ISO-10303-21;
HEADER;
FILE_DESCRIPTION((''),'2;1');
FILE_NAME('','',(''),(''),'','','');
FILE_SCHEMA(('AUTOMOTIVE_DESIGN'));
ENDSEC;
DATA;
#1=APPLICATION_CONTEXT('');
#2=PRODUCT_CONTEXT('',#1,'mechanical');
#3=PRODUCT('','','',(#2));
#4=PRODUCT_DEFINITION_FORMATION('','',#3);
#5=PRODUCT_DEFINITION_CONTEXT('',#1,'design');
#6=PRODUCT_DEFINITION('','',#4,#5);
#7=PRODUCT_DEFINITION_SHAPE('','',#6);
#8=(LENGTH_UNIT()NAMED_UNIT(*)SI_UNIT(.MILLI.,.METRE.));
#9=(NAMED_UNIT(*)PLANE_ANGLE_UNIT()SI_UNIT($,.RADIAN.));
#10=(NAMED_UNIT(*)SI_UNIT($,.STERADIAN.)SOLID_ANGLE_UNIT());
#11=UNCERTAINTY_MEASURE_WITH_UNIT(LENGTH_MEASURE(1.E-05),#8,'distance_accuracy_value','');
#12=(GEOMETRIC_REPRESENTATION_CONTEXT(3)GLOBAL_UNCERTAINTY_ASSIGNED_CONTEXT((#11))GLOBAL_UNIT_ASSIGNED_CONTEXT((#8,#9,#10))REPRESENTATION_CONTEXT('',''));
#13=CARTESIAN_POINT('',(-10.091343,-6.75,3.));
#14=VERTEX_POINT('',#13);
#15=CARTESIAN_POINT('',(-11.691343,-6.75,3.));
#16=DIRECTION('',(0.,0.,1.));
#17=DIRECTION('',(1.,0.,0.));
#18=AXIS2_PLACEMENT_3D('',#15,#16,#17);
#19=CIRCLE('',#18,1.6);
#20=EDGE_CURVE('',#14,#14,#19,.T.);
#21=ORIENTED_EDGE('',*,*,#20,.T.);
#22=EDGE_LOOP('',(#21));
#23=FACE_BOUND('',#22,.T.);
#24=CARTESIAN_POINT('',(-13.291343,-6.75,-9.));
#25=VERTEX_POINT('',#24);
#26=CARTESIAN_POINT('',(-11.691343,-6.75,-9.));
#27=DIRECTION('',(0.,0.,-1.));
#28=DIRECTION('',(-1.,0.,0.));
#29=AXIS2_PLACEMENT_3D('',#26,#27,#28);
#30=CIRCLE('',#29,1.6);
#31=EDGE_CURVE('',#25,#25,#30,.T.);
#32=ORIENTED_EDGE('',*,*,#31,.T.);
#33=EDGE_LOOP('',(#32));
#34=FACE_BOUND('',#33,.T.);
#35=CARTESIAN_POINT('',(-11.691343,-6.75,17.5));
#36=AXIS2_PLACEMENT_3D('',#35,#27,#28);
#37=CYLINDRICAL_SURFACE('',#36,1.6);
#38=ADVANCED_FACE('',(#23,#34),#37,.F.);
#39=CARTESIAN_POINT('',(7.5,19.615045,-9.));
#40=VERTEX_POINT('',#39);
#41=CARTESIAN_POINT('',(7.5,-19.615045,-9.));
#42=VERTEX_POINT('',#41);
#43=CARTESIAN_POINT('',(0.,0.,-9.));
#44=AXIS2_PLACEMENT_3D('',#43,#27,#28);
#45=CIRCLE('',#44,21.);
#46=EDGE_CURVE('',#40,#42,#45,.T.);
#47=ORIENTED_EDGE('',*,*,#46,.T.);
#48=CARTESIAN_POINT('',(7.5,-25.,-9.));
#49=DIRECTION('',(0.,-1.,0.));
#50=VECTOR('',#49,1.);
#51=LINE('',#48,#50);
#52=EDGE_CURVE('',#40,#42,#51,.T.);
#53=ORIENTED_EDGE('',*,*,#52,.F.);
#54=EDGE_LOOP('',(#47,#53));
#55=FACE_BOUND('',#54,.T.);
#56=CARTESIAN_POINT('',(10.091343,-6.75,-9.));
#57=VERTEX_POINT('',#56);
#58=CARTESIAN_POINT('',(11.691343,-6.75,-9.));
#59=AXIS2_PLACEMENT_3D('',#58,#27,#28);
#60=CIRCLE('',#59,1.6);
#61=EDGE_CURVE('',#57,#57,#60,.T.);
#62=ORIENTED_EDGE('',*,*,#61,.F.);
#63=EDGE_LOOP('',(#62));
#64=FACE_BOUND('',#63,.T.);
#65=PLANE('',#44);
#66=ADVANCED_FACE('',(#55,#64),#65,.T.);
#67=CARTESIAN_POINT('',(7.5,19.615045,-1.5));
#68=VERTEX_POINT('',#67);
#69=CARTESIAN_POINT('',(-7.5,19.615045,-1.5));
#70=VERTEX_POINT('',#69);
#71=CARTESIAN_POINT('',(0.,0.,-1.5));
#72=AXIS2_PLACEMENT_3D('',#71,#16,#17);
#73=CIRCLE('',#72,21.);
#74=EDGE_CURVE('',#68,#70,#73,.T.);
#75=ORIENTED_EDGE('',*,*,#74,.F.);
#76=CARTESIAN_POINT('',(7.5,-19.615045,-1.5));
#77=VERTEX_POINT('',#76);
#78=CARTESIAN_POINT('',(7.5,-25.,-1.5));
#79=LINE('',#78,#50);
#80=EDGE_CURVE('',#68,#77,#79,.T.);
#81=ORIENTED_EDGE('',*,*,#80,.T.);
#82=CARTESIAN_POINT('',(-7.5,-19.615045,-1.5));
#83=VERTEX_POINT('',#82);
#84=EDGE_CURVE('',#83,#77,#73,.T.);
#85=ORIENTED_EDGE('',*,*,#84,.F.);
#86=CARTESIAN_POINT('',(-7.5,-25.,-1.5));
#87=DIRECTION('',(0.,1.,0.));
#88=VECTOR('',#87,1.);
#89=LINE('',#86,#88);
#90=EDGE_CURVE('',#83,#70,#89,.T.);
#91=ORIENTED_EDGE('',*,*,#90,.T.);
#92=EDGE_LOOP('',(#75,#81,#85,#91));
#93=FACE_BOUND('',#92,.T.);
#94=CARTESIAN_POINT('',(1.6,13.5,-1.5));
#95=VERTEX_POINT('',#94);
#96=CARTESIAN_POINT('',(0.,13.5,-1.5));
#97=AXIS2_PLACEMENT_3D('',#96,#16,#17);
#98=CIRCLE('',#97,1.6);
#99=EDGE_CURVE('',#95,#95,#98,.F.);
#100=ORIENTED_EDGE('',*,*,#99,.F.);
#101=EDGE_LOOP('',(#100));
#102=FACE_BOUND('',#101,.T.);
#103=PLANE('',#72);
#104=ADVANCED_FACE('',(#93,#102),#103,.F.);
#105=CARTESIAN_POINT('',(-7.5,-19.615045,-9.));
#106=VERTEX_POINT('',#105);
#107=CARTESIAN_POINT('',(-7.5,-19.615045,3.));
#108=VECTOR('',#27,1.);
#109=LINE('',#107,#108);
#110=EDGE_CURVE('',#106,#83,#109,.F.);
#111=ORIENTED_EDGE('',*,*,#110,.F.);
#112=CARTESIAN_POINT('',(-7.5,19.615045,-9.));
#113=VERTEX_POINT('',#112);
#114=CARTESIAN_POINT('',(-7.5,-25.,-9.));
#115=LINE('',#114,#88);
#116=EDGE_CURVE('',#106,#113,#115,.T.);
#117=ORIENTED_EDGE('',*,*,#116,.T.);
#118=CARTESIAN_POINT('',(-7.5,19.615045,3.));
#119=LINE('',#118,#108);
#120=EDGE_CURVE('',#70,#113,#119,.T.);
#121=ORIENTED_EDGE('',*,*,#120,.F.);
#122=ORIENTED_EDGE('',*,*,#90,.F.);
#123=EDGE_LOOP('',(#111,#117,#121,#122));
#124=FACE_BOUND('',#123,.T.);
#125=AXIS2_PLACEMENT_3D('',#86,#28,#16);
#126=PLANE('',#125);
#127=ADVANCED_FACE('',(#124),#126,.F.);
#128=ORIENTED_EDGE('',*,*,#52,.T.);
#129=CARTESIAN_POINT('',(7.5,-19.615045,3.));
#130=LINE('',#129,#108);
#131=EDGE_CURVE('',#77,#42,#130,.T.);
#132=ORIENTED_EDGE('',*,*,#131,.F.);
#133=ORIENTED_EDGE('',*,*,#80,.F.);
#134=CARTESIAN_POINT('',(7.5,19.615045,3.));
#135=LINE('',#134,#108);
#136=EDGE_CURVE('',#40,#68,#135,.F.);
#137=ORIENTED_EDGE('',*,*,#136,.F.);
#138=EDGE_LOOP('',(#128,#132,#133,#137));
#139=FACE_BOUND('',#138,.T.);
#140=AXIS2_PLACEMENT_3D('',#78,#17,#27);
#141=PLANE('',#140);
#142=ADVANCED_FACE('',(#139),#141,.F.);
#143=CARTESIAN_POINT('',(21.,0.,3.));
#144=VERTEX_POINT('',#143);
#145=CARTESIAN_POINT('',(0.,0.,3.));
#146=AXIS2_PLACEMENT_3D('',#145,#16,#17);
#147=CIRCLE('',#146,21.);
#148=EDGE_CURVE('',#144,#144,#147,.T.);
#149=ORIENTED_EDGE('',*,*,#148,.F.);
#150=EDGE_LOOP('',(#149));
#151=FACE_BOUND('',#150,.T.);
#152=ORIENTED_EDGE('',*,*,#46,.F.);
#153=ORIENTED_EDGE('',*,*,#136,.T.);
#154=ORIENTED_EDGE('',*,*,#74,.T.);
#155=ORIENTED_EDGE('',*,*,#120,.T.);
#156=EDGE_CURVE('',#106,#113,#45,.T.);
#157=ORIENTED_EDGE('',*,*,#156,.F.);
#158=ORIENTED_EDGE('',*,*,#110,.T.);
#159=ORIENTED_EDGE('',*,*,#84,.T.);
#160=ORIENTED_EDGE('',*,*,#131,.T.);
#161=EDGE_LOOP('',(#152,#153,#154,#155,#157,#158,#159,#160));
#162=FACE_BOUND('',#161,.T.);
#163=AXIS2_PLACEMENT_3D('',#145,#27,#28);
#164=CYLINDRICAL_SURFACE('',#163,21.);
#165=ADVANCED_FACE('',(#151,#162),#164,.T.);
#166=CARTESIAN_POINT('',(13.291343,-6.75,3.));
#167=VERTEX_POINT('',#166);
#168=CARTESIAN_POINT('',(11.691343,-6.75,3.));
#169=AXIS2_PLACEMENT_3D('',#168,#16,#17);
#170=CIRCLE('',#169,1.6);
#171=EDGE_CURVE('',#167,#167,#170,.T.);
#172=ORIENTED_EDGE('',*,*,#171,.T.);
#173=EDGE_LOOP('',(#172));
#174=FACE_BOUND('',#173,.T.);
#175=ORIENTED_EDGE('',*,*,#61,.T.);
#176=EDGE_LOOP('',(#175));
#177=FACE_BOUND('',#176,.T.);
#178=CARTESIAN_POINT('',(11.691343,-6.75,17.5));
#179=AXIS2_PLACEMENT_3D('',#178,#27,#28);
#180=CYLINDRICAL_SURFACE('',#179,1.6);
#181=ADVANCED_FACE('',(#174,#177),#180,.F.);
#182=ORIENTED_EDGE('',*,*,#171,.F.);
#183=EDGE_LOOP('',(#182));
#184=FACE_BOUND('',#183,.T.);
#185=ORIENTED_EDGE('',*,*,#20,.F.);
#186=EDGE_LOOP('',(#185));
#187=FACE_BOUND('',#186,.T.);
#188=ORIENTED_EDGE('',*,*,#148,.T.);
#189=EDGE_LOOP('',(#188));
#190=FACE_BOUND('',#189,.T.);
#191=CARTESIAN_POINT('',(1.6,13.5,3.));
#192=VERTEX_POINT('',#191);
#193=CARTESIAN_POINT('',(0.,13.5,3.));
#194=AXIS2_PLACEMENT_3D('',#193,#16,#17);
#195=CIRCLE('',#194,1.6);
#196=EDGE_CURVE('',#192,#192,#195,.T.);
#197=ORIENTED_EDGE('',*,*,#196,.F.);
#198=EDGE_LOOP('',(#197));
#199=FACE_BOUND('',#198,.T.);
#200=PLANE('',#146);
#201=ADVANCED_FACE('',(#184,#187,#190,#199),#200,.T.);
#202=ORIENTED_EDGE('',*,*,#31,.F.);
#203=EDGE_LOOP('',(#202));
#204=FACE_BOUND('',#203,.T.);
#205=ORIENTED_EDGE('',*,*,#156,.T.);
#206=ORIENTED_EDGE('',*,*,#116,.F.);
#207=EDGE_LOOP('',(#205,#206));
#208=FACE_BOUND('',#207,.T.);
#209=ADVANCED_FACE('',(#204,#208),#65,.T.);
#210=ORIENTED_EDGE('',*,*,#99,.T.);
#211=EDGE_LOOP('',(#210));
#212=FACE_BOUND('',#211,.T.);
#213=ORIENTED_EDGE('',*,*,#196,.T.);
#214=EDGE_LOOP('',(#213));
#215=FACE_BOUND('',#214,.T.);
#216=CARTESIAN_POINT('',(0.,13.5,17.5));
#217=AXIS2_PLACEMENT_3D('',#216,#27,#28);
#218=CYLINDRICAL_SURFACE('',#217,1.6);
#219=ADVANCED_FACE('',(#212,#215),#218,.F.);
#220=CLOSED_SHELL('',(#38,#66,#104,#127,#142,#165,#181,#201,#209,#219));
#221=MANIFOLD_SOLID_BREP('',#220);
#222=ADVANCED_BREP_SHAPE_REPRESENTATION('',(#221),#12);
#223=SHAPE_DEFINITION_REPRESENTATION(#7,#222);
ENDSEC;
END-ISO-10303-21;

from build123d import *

# Parameters (mm, degrees)
SKETCH_1_R          = 21
EXTRUDE_1_DEPTH     = 3
EXTRUDE_START       = 9
SKETCH_2_R          = 21
EXTRUDE_2_DEPTH     = 9
SKETCH_3_R          = 1.6
CUT_EXTRUDE_1_DEPTH = 26.5
SKETCH_6_W          = 15
SKETCH_6_H          = 50
CUT_EXTRUDE_3_DEPTH = 7.5


with BuildPart() as part:
    # 草图1 → 凸台-拉伸1 (new body)
    with BuildSketch(Plane.XY):
        Circle(SKETCH_1_R)
    extrude(amount=EXTRUDE_1_DEPTH)

    # 草图2 → 凸台-拉伸2 (add)
    with BuildSketch(Plane(origin=(0, 0, 0), x_dir=(-1, 0, 0), z_dir=(0, 0, -1)).offset(EXTRUDE_START)):
        Circle(SKETCH_2_R)
    extrude(amount=-EXTRUDE_2_DEPTH)

    # 草图3 → 切除-拉伸1 (cut)
    with BuildSketch(Plane(origin=(0, 0, -9), x_dir=(-1, 0, 0), z_dir=(0, 0, -1))):
        with Locations((0, 13.5)):
            Circle(SKETCH_3_R)
        with Locations((11.691342951, -6.75)):
            Circle(SKETCH_3_R)
        with Locations((-11.691342951, -6.75)):
            Circle(SKETCH_3_R)
    extrude(amount=-CUT_EXTRUDE_1_DEPTH, mode=Mode.SUBTRACT)

    # 草图6 → 切除-拉伸3 (cut)
    with BuildSketch(Plane(origin=(0, 0, -9), x_dir=(-1, 0, 0), z_dir=(0, 0, -1))):
        Rectangle(SKETCH_6_W, SKETCH_6_H)
    extrude(amount=-CUT_EXTRUDE_3_DEPTH, mode=Mode.SUBTRACT)


solid = part.part
